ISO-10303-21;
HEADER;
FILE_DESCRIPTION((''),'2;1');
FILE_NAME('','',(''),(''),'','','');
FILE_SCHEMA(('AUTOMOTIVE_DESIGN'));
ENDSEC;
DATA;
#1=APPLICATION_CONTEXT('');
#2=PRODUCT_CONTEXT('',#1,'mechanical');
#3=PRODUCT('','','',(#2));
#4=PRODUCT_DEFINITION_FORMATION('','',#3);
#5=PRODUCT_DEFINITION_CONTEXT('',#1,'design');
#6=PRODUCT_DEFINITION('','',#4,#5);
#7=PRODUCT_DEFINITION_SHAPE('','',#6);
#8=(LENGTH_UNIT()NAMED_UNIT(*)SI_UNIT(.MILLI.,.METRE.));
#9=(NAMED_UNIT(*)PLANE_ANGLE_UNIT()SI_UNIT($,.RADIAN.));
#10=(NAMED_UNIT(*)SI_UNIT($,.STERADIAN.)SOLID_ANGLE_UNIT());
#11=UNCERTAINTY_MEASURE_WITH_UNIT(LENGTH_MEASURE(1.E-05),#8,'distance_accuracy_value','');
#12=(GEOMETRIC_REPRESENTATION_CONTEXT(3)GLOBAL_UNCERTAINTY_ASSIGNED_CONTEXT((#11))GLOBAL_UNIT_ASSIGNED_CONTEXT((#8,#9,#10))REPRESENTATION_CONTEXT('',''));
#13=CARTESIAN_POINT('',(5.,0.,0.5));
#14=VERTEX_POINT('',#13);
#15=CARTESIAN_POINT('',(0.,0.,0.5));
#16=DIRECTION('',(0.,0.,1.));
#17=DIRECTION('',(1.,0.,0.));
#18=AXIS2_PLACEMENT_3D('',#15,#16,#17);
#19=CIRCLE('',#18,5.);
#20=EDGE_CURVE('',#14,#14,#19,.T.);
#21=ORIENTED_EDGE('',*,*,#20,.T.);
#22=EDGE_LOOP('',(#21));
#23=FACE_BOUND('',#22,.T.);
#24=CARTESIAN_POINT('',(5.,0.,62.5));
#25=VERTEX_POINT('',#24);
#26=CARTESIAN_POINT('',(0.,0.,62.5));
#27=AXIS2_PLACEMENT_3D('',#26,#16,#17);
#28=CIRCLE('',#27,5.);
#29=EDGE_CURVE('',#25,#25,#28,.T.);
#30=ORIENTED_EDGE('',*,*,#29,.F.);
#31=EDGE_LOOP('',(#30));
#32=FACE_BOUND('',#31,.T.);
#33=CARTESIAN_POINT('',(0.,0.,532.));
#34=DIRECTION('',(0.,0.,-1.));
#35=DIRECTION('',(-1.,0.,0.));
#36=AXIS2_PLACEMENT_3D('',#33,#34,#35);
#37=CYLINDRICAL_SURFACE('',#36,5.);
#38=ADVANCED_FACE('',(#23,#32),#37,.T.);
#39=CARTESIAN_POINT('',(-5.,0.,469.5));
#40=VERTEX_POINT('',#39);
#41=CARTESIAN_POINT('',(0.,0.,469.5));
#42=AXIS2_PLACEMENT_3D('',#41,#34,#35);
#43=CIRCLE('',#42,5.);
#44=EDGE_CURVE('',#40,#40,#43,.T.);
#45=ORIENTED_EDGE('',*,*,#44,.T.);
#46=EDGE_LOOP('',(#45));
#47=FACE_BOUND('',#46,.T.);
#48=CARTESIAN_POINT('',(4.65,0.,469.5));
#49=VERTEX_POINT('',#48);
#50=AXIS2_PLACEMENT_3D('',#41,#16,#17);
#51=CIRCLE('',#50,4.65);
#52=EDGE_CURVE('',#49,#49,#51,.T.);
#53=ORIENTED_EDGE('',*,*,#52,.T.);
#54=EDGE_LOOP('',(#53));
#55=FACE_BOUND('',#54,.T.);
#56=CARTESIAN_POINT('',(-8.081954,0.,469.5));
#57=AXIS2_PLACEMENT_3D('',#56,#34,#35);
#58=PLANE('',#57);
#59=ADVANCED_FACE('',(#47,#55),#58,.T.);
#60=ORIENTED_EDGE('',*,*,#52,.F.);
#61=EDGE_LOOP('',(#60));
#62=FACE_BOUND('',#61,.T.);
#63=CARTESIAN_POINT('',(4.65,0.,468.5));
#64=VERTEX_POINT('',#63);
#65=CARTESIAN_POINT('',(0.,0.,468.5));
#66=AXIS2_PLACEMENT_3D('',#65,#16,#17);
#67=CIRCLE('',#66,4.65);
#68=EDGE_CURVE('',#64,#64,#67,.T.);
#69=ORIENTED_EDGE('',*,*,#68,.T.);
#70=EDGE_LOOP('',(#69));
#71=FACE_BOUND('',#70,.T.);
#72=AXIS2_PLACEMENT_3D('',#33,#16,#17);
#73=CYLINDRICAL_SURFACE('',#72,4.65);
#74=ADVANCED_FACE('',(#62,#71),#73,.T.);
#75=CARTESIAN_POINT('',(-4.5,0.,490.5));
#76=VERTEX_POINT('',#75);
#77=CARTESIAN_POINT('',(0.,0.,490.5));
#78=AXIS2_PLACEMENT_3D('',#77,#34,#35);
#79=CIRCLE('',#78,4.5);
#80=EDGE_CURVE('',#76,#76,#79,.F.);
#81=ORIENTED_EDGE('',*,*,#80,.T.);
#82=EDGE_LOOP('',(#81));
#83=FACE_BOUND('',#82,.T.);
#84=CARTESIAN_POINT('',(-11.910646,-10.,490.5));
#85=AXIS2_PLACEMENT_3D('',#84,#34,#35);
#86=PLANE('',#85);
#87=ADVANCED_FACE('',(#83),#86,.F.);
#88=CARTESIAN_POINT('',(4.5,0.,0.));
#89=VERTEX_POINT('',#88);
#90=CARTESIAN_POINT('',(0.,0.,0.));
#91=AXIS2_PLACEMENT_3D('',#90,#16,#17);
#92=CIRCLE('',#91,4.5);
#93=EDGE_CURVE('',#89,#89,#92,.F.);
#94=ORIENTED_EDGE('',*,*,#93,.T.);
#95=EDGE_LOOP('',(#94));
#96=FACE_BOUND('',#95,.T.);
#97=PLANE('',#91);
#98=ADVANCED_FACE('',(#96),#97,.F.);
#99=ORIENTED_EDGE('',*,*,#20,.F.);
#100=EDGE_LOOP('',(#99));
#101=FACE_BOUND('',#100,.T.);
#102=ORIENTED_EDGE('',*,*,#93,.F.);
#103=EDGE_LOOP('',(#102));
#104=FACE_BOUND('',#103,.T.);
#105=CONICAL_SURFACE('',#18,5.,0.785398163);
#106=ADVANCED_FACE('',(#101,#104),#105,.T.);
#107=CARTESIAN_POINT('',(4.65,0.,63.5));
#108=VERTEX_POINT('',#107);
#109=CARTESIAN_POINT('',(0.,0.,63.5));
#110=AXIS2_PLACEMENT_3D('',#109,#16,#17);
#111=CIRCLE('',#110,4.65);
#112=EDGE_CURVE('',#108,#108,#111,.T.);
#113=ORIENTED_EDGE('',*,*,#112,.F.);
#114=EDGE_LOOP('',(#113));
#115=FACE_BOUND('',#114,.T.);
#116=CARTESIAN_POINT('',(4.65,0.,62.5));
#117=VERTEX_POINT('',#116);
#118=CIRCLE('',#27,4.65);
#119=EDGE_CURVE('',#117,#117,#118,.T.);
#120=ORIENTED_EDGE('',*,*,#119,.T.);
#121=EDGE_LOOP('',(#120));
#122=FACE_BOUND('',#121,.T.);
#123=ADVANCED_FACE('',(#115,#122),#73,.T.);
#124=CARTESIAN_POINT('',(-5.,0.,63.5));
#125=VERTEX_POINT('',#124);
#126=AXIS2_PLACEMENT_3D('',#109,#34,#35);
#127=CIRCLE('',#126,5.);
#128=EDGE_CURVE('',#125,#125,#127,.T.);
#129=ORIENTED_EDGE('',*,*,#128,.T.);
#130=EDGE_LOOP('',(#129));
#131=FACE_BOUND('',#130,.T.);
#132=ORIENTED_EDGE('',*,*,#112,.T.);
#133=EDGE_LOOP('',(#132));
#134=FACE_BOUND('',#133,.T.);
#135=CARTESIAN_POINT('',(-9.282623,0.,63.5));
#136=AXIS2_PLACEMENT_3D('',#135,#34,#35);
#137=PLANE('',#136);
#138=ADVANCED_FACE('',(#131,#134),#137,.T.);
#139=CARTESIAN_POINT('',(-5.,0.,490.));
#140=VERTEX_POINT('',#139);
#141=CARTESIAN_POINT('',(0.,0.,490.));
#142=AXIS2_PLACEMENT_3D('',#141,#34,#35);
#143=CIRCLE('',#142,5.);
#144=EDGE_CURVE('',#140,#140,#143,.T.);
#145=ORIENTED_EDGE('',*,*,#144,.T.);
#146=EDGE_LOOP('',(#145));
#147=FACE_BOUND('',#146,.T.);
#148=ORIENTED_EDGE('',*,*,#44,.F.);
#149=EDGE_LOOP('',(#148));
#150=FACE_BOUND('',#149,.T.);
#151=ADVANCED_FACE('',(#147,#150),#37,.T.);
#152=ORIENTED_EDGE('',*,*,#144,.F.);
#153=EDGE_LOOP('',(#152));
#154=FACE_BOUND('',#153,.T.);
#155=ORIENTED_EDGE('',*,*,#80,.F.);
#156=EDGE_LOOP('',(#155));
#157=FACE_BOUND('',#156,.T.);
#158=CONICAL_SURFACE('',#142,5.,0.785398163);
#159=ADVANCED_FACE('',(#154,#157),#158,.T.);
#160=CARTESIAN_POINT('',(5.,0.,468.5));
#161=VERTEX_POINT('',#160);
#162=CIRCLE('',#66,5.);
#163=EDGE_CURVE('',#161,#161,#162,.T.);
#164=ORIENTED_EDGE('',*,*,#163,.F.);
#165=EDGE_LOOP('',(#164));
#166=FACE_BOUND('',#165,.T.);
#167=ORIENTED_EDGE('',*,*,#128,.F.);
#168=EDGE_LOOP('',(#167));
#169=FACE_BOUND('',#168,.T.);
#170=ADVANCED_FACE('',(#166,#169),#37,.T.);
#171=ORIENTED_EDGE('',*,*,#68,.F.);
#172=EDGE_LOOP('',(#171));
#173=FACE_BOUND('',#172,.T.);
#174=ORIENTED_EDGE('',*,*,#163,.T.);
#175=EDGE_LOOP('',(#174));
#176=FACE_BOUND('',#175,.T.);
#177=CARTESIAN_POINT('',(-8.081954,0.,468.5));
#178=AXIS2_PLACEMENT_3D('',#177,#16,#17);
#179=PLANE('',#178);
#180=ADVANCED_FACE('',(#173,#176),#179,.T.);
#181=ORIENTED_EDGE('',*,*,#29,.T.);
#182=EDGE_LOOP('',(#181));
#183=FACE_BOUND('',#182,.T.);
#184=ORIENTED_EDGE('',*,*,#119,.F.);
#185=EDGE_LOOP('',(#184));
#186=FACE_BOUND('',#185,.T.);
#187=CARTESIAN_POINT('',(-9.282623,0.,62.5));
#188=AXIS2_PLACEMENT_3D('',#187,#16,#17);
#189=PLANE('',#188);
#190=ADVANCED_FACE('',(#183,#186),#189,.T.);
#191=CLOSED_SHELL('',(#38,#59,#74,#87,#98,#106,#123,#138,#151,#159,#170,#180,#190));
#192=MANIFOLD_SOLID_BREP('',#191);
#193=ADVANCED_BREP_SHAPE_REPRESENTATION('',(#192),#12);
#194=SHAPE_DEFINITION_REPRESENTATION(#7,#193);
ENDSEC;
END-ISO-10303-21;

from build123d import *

# Parameters (mm, degrees)
SKETCH_1_R          = 5
EXTRUDE_1_DEPTH     = 532
SKETCH_2_W          = 3.43195358
SKETCH_2_H          = 1
SKETCH_2_W_2        = 4.632623125
CHAMFER_1_SIZE      = 0.5
SKETCH_3_W          = 38.697285924
SKETCH_3_H          = 59.202017993
CUT_EXTRUDE_1_DEPTH = 10
CHAMFER_2_SIZE      = 0.5


with BuildPart() as part:
    # 草图1 → 拉伸1 (new body)
    with BuildSketch(Plane.XY):
        Circle(SKETCH_1_R)
    extrude(amount=EXTRUDE_1_DEPTH)

    # 草图2 → 切除-旋转2 (revolve, cut)
    with BuildSketch(Plane(origin=(0, 0, 0), x_dir=(1, 0, 0), z_dir=(0, 1, 0)), mode=Mode.PRIVATE) as cut_revolve_2_sk:
        with Locations((-6.36597679, -469)):
            Rectangle(SKETCH_2_W, SKETCH_2_H)
        with Locations((-6.966311563, -63)):
            Rectangle(SKETCH_2_W_2, SKETCH_2_H)
    revolve(cut_revolve_2_sk.sketch.rotate(Axis((0, 0, 532), (0, 0, -1)), 180), axis=Axis((0, 0, 532), (0, 0, -1)), mode=Mode.SUBTRACT)

    # 倒角1
    chamfer_1_edges = [part.edges().sort_by_distance(p)[0] for p in [
        (-5, 0, 0),
        (-5, 0, 532),
    ]]
    chamfer(chamfer_1_edges, length=CHAMFER_1_SIZE)

    # 草图3 → 切除-拉伸1 (cut, symmetric)
    with BuildSketch(Plane(origin=(0, 0, 0), x_dir=(1, 0, 0), z_dir=(0, 1, 0))):
        with Locations((7.437997044, -520.101008997)):
            Rectangle(SKETCH_3_W, SKETCH_3_H)
    extrude(amount=CUT_EXTRUDE_1_DEPTH, both=True, mode=Mode.SUBTRACT)

    # 倒角2
    chamfer_2_edges = [part.edges().sort_by_distance(p)[0] for p in [
        (-5, 0, 490.5),
    ]]
    chamfer(chamfer_2_edges, length=CHAMFER_2_SIZE)


solid = part.part
